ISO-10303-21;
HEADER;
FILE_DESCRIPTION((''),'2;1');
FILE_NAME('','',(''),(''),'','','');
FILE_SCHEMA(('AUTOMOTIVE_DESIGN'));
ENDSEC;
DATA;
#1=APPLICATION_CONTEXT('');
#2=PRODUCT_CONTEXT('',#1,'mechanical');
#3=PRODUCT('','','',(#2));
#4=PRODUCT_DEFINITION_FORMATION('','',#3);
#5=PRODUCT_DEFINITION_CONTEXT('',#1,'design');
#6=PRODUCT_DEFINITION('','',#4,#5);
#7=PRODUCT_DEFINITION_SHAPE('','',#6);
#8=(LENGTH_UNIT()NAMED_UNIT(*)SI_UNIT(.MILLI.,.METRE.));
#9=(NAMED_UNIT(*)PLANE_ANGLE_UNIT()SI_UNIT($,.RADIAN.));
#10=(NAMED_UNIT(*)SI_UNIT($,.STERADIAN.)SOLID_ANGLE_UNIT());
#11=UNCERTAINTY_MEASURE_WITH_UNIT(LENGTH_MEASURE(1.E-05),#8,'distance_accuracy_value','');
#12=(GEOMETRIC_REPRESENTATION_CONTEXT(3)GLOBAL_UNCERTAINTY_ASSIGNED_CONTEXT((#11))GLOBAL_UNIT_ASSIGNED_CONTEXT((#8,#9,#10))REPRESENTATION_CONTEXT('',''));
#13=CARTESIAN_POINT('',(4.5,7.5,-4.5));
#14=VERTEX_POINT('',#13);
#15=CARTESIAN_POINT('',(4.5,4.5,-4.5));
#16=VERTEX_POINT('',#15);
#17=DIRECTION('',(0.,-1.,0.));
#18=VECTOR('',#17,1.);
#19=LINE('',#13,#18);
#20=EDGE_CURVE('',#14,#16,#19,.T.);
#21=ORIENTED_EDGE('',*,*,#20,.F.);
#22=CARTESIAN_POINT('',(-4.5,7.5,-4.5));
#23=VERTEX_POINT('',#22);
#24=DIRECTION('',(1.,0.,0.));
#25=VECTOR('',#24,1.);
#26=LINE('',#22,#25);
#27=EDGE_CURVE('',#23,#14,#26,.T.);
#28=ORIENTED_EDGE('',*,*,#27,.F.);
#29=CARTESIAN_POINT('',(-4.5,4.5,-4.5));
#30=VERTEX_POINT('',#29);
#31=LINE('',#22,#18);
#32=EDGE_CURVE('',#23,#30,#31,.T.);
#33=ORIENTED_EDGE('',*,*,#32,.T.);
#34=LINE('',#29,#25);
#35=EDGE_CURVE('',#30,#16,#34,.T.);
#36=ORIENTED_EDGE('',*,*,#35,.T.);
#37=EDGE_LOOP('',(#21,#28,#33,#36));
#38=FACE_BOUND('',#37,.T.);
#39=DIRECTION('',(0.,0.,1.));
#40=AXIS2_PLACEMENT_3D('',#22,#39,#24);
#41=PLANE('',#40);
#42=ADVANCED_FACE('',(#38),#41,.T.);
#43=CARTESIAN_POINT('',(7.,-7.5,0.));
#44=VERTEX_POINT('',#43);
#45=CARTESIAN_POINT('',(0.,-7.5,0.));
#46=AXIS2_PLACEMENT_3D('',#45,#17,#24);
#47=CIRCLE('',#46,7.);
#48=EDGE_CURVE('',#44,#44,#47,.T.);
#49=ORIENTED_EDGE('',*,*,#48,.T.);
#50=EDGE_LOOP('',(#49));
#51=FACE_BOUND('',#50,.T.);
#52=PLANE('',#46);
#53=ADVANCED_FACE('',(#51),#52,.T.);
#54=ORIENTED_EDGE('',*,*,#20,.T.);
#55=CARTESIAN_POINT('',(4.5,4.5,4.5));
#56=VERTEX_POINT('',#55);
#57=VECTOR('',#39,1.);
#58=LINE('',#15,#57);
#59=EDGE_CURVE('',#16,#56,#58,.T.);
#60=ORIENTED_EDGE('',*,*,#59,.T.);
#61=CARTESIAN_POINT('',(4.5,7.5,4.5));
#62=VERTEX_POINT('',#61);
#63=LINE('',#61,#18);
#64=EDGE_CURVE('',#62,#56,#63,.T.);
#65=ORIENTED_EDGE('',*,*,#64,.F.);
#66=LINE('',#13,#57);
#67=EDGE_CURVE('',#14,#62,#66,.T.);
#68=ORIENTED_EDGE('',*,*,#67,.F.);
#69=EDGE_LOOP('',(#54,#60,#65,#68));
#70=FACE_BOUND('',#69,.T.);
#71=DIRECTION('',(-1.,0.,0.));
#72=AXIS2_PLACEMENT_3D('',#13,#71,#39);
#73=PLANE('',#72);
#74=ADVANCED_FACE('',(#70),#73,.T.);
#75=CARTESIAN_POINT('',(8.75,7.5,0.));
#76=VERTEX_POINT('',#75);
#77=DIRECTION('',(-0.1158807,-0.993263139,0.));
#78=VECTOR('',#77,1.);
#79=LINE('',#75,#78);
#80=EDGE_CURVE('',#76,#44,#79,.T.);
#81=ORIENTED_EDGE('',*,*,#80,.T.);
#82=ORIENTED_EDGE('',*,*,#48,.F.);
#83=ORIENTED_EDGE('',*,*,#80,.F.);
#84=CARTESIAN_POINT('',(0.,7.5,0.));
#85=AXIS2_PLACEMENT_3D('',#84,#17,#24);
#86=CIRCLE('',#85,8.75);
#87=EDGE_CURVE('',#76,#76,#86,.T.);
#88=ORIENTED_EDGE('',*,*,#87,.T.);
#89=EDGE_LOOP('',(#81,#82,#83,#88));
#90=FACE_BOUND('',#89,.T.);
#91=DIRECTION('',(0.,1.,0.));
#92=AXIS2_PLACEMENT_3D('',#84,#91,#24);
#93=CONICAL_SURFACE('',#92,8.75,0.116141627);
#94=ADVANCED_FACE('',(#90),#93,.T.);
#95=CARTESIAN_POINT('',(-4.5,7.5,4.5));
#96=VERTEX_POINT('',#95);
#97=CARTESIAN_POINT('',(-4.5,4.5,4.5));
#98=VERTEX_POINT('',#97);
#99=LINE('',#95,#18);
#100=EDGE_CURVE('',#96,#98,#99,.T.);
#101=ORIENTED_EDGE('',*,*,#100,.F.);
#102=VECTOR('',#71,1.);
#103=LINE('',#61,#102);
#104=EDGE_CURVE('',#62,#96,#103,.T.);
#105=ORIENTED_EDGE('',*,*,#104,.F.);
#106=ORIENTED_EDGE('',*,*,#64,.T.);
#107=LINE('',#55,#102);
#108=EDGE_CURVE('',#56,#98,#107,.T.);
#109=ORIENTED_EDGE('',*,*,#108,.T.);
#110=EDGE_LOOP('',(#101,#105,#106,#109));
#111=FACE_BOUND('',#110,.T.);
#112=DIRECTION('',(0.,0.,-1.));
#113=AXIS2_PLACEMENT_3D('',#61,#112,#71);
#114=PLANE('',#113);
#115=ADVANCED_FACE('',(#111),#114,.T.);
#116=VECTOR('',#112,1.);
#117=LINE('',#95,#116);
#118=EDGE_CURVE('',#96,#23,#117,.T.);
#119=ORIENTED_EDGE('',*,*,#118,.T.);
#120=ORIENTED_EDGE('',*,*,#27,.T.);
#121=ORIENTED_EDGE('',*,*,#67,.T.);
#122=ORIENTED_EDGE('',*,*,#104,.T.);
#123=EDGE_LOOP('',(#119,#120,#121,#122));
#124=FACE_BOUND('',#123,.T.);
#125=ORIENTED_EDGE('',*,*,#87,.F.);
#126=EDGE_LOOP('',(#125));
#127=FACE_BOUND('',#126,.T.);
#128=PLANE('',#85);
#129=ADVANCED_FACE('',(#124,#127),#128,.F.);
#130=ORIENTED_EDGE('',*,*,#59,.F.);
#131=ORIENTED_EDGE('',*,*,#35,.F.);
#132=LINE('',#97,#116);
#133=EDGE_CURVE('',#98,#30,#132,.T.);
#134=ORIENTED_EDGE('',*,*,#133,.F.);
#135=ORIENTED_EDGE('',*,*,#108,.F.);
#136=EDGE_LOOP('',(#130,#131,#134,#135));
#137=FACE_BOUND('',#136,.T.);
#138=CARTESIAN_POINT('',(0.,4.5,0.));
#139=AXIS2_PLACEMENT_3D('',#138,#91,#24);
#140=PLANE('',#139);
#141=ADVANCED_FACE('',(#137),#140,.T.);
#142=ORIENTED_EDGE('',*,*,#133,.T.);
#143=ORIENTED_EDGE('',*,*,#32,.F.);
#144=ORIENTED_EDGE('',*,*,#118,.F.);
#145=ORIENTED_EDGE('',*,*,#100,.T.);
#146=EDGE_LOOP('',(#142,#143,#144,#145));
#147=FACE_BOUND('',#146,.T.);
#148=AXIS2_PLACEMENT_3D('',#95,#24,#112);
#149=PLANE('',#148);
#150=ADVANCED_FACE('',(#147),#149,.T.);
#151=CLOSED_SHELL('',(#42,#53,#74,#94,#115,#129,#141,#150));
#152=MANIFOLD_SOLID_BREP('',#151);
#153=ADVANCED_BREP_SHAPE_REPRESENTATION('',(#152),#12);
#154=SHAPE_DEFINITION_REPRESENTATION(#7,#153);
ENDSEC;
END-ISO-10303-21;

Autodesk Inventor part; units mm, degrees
ref_plane "YZ Plane" through (0, 0, 0) normal (1, 0, 0) x (0, 1, 0)
ref_plane "XZ Plane" through (0, 0, 0) normal (0, 1, 0) x (-1, 0, 0)
ref_plane "XY Plane" through (0, 0, 0) normal (0, 0, 1) x (1, 0, 0)
sketch "Эскиз1" plane through (0, 0, 0) normal (0, 0, 1) x (1, 0, 0)
  line L0 (0, 7.5) -> (0, -7.5)
  line L1 (0, 7.5) -> (8.75, 7.5)
  line L2 (8.75, 7.5) -> (7, -7.5)
  line L3 (7, -7.5) -> (0, -7.5)
  point P0 (0, 0)
  point P1 (0, 0)
  dimension "d0" = 15
  dimension "d1" = 17.5
  dimension "d2" = 14
revolve "Вращение1" add sketch "Эскиз1" angle 360 about axis through (0, 7.5, 0) along (0, -1, 0)
thread "Резьба1" size "R 1/2" standard "ISO Taper" length 18.2
sketch "Эскиз3" plane through (0, 7.5, 0) normal (0, 1, 0) x (1, 0, 0)
  line L0 (-4.5, 4.5) -> (4.5, 4.5)
  line L1 (4.5, 4.5) -> (4.5, -4.5)
  line L2 (4.5, -4.5) -> (-4.5, -4.5)
  line L3 (-4.5, -4.5) -> (-4.5, 4.5)
  point P0 (0, 0)
  point P1 (-4.5, 0)
  point P2 (0, 4.5)
  dimension "d9" = 9
extrude "Выдавливание2" cut sketch "Эскиз3" against normal blind 3
properties part number "Пробка"
